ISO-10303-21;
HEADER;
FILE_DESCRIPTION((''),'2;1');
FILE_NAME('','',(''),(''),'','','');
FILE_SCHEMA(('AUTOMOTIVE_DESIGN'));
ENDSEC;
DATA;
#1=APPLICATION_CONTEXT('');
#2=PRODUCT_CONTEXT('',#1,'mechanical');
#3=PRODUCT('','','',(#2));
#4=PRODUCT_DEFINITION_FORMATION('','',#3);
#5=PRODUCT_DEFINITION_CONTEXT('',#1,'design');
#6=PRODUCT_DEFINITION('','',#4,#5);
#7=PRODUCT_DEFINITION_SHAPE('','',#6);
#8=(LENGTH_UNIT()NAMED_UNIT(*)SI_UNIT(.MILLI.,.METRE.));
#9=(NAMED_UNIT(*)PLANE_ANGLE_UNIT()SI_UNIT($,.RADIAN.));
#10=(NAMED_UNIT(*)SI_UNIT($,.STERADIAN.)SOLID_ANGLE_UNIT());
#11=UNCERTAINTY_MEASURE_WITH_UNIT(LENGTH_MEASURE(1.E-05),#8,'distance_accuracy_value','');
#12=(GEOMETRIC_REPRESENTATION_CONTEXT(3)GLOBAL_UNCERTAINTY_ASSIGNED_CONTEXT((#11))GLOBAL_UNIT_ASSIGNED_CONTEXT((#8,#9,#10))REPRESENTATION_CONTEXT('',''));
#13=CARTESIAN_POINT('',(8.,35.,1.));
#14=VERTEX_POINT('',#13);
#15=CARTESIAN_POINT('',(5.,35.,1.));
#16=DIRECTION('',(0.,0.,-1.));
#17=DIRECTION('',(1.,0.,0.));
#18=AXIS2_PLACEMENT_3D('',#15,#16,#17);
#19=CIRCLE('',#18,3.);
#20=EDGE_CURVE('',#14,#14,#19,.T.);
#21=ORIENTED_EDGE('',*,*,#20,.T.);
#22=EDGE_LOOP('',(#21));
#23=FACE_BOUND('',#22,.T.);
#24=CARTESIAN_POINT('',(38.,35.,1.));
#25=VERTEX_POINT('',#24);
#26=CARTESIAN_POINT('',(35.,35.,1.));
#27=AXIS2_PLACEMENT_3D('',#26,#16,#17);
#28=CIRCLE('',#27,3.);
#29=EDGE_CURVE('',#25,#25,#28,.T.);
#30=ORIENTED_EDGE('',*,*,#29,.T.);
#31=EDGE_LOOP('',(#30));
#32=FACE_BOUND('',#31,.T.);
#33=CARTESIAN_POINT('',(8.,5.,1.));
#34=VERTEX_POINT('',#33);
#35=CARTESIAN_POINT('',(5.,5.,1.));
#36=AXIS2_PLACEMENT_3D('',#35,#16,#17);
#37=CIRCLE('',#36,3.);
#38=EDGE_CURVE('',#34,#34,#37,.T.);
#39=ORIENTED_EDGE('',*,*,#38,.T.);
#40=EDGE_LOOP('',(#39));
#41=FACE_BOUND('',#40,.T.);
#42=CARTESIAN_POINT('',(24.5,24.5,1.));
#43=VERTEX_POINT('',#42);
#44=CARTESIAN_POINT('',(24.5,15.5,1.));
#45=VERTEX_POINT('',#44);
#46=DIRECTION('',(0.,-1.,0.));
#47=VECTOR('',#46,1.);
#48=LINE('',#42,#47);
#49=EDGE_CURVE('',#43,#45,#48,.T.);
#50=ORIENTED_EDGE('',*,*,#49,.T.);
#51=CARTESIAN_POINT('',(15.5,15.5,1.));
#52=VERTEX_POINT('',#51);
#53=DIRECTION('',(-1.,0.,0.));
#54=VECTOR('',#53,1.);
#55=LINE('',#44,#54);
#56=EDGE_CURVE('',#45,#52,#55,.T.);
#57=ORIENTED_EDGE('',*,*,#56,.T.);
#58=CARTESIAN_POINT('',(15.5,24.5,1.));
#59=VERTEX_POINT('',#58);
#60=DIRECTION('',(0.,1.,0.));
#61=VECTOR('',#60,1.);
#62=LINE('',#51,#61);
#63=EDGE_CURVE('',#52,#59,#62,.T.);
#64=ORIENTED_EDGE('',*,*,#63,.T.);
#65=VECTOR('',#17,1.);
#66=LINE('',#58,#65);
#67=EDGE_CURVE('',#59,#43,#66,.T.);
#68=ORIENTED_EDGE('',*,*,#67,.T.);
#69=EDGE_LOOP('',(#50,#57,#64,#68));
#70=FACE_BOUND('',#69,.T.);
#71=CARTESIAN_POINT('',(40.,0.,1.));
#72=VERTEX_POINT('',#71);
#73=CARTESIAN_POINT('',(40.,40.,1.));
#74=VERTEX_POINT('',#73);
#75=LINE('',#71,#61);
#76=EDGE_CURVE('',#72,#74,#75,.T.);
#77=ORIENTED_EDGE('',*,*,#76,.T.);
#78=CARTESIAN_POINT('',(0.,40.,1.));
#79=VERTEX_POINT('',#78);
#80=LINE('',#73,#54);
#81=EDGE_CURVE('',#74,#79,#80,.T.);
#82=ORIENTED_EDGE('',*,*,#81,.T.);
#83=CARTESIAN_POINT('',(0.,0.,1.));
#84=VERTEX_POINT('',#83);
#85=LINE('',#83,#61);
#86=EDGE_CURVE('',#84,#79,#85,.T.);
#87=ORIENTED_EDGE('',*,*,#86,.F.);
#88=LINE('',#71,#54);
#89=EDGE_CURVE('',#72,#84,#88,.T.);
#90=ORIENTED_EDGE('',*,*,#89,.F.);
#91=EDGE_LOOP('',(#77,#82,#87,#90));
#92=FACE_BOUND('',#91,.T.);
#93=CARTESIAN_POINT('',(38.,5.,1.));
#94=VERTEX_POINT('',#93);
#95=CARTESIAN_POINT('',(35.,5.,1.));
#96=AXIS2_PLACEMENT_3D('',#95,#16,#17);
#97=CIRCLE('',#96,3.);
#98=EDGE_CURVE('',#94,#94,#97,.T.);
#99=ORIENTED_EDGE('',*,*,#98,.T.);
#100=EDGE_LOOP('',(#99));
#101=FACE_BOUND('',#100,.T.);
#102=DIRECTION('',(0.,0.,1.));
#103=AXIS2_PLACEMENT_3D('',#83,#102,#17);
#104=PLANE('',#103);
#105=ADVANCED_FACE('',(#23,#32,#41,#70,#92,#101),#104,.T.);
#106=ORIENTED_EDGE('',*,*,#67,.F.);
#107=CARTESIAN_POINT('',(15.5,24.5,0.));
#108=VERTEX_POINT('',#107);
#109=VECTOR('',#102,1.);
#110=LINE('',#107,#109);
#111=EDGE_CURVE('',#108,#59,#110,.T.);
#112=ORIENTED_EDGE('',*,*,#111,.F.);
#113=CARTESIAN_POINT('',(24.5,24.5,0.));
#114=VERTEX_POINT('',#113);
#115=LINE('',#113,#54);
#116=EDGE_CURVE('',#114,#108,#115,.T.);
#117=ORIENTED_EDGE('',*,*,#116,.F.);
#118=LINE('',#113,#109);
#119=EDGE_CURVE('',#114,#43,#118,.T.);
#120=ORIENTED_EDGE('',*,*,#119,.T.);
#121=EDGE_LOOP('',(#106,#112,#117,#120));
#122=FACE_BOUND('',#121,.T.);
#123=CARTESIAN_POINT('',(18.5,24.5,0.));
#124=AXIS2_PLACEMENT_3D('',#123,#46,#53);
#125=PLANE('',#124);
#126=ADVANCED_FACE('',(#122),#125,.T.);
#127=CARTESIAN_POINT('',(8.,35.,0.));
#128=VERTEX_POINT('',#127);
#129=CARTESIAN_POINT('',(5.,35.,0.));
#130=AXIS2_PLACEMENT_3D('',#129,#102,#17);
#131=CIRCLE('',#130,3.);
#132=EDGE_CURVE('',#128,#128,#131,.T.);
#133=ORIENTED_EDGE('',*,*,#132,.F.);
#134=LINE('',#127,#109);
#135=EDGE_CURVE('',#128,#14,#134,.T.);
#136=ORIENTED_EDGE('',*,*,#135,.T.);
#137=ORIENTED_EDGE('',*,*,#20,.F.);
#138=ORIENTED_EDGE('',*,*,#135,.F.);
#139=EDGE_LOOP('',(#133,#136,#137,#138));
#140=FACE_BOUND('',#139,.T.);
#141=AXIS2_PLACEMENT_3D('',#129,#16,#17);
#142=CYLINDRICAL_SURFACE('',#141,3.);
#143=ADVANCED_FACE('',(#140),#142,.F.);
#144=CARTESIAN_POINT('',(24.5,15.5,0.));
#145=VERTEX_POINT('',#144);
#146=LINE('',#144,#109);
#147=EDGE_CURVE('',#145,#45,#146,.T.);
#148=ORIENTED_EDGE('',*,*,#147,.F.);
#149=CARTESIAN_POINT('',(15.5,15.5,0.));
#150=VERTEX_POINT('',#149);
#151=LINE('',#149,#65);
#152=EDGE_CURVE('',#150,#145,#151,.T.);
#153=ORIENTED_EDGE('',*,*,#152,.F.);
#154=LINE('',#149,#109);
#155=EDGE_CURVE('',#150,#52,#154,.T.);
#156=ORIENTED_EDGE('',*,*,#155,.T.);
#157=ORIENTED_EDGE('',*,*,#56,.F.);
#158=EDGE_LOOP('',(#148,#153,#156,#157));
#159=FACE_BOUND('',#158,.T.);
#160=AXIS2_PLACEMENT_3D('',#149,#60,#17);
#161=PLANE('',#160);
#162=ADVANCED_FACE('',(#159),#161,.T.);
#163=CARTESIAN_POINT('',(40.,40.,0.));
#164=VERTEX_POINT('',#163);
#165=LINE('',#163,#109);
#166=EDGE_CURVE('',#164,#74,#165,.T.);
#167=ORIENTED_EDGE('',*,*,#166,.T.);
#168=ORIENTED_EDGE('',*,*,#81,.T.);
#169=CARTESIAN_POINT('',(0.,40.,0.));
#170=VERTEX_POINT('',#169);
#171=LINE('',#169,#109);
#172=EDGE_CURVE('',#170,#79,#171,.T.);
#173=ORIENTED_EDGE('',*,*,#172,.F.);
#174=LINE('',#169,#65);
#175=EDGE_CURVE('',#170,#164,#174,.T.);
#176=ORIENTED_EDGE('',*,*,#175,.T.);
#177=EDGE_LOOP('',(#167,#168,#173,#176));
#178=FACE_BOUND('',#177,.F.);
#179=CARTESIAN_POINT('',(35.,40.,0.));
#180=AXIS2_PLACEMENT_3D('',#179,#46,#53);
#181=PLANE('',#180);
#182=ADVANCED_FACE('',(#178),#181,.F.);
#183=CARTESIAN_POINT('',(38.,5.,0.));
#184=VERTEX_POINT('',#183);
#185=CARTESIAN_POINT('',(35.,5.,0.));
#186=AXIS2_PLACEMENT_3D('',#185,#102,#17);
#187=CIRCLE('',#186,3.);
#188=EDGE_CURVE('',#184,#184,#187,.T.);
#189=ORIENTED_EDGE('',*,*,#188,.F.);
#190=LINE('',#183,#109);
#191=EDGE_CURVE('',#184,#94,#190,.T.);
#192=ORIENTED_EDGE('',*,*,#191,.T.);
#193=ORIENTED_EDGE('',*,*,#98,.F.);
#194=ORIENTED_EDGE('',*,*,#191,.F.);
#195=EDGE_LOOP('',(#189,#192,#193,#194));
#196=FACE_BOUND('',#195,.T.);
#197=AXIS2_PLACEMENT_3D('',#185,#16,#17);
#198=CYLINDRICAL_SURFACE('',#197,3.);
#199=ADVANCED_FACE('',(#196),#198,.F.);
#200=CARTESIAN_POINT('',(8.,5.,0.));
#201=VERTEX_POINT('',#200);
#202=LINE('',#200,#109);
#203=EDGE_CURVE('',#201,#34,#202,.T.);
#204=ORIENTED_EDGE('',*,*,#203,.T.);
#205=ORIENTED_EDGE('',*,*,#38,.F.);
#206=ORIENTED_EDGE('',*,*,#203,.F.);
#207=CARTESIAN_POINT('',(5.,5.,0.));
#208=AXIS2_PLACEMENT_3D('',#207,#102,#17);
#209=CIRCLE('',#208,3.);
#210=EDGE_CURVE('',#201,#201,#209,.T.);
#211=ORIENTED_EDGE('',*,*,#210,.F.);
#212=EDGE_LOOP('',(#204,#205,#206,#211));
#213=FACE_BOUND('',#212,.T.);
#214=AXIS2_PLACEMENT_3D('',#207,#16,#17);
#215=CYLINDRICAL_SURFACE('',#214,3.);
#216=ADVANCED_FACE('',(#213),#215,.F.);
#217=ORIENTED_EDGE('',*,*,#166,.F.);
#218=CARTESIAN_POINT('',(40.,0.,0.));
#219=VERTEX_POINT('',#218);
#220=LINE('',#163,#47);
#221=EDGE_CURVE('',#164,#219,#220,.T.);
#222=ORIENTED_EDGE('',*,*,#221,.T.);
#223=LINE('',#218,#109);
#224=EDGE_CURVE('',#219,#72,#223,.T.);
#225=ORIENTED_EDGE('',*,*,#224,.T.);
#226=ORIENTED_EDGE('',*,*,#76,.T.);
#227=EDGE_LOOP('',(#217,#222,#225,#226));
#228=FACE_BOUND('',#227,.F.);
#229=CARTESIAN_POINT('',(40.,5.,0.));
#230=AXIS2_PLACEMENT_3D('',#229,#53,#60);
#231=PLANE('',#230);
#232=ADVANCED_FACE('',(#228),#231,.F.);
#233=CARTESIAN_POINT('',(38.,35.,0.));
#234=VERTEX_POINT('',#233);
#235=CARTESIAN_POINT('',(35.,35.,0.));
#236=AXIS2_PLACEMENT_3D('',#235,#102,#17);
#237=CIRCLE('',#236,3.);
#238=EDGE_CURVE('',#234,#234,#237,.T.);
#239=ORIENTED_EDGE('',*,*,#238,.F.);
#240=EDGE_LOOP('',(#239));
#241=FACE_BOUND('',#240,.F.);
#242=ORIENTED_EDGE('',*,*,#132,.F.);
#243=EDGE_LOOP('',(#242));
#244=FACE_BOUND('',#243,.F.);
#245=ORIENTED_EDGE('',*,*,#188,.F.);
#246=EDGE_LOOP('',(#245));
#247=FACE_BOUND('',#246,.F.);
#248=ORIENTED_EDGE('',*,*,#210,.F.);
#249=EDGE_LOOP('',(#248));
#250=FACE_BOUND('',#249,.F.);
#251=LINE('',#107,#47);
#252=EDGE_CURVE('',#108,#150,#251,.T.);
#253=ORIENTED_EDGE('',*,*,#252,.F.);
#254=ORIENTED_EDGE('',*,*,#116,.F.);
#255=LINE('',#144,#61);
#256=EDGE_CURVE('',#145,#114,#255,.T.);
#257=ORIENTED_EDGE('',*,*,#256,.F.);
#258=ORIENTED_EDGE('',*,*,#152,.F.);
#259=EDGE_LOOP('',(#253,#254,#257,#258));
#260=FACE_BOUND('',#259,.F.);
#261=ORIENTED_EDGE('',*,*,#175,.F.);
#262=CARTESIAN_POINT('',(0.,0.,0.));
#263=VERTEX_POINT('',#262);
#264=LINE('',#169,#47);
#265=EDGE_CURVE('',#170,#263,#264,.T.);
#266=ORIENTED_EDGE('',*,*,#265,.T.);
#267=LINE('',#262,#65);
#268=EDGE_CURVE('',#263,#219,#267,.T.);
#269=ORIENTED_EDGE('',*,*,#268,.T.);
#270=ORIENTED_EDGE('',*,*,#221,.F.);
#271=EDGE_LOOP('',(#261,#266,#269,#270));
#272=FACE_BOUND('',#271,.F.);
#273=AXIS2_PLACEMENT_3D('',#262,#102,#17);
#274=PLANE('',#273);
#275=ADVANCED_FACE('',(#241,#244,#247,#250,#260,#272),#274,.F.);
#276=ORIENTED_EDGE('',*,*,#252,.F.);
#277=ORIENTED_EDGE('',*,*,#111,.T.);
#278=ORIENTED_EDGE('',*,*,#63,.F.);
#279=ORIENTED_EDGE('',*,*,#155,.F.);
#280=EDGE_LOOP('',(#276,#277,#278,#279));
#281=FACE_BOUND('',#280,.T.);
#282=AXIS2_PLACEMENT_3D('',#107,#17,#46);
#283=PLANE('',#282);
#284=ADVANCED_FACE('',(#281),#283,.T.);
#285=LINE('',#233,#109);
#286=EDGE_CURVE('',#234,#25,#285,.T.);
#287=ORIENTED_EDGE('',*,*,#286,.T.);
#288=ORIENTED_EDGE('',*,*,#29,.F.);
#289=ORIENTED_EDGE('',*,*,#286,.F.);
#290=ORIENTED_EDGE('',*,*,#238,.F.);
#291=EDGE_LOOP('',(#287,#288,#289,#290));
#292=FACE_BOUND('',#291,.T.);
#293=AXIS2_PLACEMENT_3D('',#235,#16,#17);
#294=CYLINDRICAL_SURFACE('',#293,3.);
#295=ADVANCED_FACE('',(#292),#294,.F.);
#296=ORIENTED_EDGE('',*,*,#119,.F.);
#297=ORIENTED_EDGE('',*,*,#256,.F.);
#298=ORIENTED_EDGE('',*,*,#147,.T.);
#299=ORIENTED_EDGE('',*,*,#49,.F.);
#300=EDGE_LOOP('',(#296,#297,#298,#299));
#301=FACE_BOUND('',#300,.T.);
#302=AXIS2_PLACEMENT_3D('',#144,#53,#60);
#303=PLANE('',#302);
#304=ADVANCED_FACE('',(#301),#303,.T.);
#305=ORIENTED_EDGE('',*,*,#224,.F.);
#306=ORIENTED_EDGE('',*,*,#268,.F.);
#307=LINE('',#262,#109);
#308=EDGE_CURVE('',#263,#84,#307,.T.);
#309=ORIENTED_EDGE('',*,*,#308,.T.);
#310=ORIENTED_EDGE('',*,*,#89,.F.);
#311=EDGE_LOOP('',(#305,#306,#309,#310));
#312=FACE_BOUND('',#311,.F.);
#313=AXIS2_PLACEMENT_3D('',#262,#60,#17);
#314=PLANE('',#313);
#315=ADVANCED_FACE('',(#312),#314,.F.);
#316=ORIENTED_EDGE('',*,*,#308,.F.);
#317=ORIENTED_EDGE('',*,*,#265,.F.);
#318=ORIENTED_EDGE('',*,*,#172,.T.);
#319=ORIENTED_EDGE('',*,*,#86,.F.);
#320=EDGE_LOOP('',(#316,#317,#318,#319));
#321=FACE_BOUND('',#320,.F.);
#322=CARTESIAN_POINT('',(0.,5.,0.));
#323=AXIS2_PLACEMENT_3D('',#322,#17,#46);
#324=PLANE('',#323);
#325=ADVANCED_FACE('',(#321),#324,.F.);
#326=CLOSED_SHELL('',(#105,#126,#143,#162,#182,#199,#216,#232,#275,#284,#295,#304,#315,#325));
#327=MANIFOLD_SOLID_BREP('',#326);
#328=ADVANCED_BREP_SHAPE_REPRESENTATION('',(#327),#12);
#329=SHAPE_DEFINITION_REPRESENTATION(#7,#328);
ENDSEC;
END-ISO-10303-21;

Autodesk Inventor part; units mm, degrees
ref_plane "YZ Plane" through (0, 0, 0) normal (1, 0, 0) x (0, 1, 0)
ref_plane "XZ Plane" through (0, 0, 0) normal (0, 1, 0) x (-1, 0, 0)
ref_plane "XY Plane" through (0, 0, 0) normal (0, 0, 1) x (1, 0, 0)
sketch "Skizze1" plane through (0, 0, 0) normal (0, 0, 1) x (1, 0, 0)
  line L0 (0, 0) -> (40, 0)
  line L1 (40, 0) -> (40, 40)
  line L2 (40, 40) -> (0, 40)
  line L3 (0, 40) -> (0, 0)
  line L4 (0, 40) -> (5, 40)
  line L5 (0, 38.1665) -> (0, 40)
  line L6 (0, 40) -> (5, 40)
  line L7 (5, 40) -> (5, 35)
  line L8 (5, 35) -> (0, 35)
  line L9 (0, 35) -> (0, 40)
  circle A0 centre (5, 35) radius 3
  line L10 (40, 40) -> (35, 40)
  line L11 (35, 40) -> (35, 35)
  line L12 (35, 35) -> (40, 35)
  line L13 (40, 35) -> (40, 40)
  line L14 (0, 0) -> (5, 0)
  line L15 (5, 0) -> (5, 5)
  line L16 (5, 5) -> (0, 5)
  line L17 (0, 5) -> (0, 0)
  line L18 (40, 0) -> (35, 0)
  line L19 (35, 0) -> (35, 5)
  line L20 (35, 5) -> (40, 5)
  line L21 (40, 5) -> (40, 0)
  circle A1 centre (5, 5) radius 3
  circle A2 centre (35, 5) radius 3
  circle A3 centre (35, 35) radius 3
  line L22 (18.5, 24.5) -> (24.5, 24.5)
  line L23 (24.5, 24.5) -> (15.5, 24.5)
  line L24 (15.5, 24.5) -> (15.5, 15.5)
  line L25 (15.5, 15.5) -> (24.5, 15.5)
  line L26 (24.5, 15.5) -> (24.5, 24.5)
  line L27 (15.5, 20) -> (24.5, 20)
  line L28 (20, 24.5) -> (20, 15.5)
  dimension "d0" = 40
  dimension "d1" = 40
  dimension "d4" = 5
  dimension "d5" = 5
  dimension "d6" = 6
  dimension "d7" = 5
  dimension "d8" = 5
  dimension "d9" = 6
  dimension "d10" = 6
  dimension "d11" = 6
  dimension "d14" = 9
  dimension "d15" = 9
extrude "Extrusion1" add sketch "Skizze1" along normal blind 1 contours L3 L16 A1 L15 L0 | L15 A1 L16 L3 L8 A0 L7 L2 L11 A3 L12 L1 L20 A2 L19 L0 | L19 A2 L20 L1 L0 | L3 L2 L7 A0 L8 | L12 A3 L11 L2 L1
properties part number "aperture9mm"
